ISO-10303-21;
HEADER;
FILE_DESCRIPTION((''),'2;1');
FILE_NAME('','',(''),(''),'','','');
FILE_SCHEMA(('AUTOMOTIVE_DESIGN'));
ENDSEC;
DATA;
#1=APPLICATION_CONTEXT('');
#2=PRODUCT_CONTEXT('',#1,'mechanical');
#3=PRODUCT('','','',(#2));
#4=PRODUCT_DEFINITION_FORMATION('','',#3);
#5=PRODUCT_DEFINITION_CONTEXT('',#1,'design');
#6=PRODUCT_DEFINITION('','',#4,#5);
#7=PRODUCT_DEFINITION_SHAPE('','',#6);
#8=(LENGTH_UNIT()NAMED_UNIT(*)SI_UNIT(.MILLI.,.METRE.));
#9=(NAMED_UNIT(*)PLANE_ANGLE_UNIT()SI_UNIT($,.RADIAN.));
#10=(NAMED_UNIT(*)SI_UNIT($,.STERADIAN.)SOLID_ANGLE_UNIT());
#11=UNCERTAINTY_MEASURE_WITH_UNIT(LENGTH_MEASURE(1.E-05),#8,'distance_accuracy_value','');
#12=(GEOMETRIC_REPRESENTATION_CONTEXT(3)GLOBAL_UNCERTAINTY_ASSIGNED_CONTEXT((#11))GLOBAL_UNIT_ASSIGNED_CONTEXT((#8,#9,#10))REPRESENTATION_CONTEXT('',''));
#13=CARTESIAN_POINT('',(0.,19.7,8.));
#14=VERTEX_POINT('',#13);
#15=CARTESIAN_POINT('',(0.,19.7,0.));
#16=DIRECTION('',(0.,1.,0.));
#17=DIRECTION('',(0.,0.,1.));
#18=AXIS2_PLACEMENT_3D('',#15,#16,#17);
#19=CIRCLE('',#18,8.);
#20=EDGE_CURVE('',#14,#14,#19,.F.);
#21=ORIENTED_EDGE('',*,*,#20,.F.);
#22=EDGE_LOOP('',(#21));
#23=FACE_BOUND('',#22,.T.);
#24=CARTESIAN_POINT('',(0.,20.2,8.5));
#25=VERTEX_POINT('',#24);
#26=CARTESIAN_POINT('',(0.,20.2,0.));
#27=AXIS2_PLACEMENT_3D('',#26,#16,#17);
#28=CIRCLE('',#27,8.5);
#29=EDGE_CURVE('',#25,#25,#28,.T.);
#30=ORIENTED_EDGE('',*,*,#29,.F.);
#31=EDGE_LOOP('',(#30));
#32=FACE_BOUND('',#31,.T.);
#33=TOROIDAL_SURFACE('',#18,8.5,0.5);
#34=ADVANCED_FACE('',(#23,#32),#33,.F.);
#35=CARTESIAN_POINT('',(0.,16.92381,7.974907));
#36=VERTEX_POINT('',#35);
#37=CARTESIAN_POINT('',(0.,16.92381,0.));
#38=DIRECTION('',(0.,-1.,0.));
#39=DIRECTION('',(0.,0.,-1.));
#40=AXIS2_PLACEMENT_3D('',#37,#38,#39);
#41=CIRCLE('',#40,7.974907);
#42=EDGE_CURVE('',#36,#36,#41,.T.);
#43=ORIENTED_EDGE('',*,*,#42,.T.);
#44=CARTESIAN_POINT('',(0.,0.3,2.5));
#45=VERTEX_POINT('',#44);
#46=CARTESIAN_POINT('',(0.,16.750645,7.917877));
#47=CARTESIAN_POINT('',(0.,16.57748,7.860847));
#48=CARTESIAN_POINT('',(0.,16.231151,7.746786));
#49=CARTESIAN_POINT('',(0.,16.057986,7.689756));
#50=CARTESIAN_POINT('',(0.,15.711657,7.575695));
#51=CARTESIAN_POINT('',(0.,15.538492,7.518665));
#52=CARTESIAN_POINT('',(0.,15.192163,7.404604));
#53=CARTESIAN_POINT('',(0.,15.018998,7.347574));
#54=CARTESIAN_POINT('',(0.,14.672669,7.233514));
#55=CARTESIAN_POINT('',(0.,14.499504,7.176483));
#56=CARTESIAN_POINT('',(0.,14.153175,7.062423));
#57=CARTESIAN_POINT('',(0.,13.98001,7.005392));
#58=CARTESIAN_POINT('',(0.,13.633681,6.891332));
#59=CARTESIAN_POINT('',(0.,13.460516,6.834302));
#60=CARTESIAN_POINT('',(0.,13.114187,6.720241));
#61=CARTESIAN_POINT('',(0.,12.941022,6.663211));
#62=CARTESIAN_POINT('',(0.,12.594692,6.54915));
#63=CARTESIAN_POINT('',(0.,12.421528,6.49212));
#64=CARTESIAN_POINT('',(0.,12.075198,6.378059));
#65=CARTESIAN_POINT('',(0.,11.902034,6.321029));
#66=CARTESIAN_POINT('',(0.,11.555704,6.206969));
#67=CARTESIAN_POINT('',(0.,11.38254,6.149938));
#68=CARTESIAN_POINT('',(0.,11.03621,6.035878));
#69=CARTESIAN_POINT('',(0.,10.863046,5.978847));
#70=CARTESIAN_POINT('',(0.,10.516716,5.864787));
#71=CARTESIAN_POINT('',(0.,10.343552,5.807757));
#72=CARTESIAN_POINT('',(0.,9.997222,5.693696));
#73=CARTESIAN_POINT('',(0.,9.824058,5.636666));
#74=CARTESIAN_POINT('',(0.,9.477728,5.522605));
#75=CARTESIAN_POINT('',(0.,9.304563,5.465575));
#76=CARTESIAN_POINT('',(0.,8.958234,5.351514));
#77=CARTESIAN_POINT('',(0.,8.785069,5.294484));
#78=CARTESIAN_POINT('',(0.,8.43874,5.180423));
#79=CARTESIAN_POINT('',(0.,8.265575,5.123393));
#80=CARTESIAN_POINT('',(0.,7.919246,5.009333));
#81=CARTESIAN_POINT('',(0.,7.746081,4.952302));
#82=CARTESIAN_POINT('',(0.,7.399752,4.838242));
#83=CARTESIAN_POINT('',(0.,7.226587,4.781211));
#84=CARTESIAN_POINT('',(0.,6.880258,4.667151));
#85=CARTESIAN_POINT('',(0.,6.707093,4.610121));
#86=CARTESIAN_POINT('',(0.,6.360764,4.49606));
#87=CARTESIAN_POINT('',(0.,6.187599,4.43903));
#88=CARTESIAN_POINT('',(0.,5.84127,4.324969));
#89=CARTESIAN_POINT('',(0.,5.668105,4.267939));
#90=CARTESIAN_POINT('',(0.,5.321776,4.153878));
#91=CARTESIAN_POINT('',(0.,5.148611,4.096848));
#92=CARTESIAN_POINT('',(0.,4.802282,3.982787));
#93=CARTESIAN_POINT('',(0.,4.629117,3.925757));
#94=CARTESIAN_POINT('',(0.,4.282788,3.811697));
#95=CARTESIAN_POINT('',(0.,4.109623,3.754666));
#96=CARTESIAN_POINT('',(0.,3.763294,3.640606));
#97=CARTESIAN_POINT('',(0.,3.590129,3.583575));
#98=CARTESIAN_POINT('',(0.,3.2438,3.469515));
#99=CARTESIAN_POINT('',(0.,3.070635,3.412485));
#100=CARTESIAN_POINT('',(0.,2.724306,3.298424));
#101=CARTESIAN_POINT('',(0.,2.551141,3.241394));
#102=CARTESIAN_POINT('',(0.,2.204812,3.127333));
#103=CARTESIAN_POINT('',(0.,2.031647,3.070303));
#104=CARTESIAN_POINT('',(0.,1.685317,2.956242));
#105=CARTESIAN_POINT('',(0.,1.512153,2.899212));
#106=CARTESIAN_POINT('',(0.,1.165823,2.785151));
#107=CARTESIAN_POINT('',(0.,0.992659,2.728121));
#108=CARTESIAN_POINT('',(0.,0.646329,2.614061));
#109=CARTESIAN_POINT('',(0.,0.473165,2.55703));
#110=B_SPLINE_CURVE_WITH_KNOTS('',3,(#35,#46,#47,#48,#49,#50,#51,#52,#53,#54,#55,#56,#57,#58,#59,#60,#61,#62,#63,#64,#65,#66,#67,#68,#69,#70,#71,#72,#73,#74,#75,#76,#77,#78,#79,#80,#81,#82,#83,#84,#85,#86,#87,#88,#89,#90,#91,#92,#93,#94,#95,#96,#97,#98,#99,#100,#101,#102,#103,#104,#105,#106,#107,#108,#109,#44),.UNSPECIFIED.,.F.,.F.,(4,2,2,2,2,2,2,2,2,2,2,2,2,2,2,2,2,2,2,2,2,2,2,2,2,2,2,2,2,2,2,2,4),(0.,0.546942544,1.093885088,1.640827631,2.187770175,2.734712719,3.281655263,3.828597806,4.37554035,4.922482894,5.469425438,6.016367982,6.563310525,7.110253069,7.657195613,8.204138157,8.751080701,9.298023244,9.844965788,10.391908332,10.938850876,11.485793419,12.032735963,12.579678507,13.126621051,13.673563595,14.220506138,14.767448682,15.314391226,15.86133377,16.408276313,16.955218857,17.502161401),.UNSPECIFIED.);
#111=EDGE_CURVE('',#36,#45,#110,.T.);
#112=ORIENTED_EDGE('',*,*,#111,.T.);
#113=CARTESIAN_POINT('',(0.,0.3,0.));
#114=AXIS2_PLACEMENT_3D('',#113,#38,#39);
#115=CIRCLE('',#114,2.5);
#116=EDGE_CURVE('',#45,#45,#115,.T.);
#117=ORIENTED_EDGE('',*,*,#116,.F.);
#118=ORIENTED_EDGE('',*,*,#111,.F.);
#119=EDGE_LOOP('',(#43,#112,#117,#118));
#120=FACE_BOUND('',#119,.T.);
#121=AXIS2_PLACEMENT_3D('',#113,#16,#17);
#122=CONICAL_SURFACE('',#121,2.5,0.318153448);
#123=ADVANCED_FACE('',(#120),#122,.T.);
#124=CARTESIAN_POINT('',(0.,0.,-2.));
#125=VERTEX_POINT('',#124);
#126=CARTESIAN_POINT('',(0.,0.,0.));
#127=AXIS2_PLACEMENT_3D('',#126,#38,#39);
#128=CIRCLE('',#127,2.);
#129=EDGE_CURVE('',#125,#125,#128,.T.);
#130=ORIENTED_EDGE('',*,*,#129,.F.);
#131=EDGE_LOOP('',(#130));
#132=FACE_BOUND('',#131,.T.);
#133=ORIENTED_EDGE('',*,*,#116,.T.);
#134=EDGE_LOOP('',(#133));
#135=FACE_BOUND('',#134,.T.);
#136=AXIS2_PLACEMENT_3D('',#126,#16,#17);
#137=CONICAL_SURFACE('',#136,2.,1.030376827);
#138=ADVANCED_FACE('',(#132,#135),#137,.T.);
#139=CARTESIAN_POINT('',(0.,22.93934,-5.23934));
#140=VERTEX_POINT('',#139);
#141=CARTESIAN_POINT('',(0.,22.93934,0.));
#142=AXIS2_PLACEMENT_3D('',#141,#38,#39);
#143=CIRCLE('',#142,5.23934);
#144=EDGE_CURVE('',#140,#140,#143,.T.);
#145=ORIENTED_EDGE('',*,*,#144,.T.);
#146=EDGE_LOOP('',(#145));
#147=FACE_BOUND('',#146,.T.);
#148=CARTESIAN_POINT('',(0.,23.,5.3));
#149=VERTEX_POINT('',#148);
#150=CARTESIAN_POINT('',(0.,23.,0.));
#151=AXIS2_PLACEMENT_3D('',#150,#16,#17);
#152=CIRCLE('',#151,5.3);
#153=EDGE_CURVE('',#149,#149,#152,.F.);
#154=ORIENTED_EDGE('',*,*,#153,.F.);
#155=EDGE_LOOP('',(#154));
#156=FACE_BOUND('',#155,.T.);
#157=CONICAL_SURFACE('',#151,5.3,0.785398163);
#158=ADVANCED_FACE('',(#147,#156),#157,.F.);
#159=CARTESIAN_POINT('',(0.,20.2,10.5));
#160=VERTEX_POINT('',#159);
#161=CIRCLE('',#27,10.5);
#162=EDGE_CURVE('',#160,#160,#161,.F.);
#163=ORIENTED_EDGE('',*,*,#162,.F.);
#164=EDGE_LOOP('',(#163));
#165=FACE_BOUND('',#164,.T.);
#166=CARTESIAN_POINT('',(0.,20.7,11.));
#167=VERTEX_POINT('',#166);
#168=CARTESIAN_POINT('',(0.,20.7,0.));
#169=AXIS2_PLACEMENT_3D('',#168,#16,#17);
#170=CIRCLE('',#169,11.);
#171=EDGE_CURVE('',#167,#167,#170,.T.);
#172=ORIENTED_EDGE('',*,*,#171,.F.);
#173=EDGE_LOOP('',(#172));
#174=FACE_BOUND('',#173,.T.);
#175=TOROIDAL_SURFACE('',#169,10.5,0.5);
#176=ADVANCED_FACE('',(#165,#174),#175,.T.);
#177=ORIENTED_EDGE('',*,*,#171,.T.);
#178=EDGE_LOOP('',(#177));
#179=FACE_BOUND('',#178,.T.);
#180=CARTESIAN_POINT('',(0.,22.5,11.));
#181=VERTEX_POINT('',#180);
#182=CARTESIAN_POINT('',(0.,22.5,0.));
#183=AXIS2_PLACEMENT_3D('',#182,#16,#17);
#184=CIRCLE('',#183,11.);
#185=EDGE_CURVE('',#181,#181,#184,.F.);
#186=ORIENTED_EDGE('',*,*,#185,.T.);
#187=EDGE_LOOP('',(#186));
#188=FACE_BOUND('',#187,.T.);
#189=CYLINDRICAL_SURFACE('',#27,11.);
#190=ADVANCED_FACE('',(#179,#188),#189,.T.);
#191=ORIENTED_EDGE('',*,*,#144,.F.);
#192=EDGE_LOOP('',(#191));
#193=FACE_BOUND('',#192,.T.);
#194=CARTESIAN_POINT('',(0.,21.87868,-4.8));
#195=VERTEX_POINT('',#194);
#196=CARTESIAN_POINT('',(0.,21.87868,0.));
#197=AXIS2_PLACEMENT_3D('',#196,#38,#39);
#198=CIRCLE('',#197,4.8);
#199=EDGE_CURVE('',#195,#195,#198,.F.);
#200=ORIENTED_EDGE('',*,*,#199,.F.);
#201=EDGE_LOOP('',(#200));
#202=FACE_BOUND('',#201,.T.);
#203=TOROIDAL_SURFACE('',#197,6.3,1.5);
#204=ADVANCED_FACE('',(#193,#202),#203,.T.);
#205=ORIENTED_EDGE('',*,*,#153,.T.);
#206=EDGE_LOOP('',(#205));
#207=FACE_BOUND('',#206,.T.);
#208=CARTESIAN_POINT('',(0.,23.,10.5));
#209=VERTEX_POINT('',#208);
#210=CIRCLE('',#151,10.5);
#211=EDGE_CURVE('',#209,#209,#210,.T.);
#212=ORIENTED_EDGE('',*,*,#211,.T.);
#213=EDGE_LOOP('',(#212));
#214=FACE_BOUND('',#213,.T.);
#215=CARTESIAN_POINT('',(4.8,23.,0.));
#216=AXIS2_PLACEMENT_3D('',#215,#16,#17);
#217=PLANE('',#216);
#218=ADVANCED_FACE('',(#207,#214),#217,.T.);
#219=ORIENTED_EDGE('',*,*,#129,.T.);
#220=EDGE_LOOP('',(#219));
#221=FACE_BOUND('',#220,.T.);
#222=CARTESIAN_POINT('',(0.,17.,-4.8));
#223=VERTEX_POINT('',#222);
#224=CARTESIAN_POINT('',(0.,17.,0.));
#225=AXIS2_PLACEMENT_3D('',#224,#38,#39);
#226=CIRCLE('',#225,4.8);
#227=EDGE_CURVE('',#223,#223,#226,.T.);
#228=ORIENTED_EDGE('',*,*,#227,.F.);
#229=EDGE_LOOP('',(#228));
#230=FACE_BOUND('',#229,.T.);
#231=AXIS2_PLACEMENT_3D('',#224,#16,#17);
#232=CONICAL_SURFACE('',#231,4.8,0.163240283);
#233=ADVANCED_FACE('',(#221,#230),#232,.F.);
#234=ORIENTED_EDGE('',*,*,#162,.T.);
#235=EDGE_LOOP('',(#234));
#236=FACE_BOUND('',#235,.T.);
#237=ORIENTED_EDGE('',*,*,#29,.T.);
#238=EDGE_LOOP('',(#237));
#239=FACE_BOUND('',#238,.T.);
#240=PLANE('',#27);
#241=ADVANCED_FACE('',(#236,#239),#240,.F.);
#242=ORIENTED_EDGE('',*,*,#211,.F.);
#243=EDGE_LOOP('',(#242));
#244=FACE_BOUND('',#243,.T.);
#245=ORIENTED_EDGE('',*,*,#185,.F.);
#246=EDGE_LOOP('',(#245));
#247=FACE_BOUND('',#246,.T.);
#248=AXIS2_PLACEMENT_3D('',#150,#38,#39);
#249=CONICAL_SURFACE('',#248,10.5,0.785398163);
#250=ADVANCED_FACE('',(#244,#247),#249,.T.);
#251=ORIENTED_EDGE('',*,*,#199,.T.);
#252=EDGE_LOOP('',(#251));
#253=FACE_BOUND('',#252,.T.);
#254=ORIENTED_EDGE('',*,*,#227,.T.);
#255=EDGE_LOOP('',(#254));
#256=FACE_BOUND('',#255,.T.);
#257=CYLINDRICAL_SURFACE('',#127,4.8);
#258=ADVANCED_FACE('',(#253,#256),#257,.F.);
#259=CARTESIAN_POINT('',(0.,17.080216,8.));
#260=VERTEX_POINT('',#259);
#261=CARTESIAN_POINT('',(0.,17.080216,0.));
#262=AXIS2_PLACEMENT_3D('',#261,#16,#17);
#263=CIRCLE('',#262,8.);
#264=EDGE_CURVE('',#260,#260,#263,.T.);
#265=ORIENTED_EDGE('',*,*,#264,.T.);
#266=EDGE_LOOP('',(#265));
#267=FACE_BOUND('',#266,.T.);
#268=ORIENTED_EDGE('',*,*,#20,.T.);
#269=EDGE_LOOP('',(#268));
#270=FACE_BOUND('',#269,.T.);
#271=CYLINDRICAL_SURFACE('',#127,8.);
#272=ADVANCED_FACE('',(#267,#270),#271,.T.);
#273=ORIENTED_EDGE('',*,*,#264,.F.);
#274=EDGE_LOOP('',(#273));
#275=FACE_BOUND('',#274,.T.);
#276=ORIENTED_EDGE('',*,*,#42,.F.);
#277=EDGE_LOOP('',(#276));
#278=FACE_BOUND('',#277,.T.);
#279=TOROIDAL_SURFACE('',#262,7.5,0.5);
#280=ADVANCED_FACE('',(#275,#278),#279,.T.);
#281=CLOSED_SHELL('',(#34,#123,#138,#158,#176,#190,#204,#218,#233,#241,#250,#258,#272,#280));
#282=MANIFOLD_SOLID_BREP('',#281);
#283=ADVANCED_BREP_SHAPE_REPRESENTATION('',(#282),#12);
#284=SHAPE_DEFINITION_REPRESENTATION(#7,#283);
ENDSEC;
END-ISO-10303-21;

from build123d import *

# Parameters (mm, degrees)
FL_CHE_VERSCHIEBEN1_BY          = 1
AUFSATZ_LINEAR_START            = -2.8
SKIZZE2_R                       = 11
SKIZZE2_R_2                     = 4.8
AUFSATZ_LINEAR_AUSTRAGEN1_DEPTH = 2.8
VERRUNDUNG1_R                   = 0.5
FASE1_SIZE                      = 0.5
VERRUNDUNG2_R                   = 1.5


with BuildPart() as part:
    # Skizze1 → Rotation1 (revolve)
    with BuildSketch(Plane.XY, mode=Mode.PRIVATE) as rotation1_sk:
        Polygon((2, 0), (4.8, 17), (4.8, 22), (8, 22), (8, 17), (2.5, 0.3), align=None)
    revolve(rotation1_sk.sketch.rotate(Axis((0, 0, 0), (0, 1, 0)), 90), axis=Axis((0, 0, 0), (0, 1, 0)))

    # Fläche verschieben1: a face moved outward by 1.0
    extrude(part.faces().sort_by_distance((6.4, 22, 0))[0], amount=FL_CHE_VERSCHIEBEN1_BY, dir=(0, 1, 0))

    # Skizze2 → Aufsatz-Linear austragen1 (add)
    with BuildSketch(Plane(origin=(0, 23, 0), x_dir=(1, 0, 0), z_dir=(0, 1, 0)).offset(AUFSATZ_LINEAR_START)):
        with Locations(Location((0, 0, 0), (0, 0, 270))):
            Circle(SKIZZE2_R)
        with Locations(Location((0, 0, 0), (0, 0, 90))):
            Circle(SKIZZE2_R_2, mode=Mode.SUBTRACT)
    extrude(amount=AUFSATZ_LINEAR_AUSTRAGEN1_DEPTH)

    # Verrundung1
    verrundung1_edges = [part.edges().sort_by_distance(p)[0] for p in [
        (0, 20.2, 8),
        (0, 20.2, -11),
        (0, 17, 8),
    ]]
    fillet(verrundung1_edges, radius=VERRUNDUNG1_R)

    # Fase1
    fase1_edges = [part.edges().sort_by_distance(p)[0] for p in [
        (0, 23, -11),
        (0, 23, 4.8),
    ]]
    chamfer(fase1_edges, length=FASE1_SIZE)

    # Verrundung2
    verrundung2_edges = [part.edges().sort_by_distance(p)[0] for p in [
        (0, 22.5, 4.8),
    ]]
    fillet(verrundung2_edges, radius=VERRUNDUNG2_R)


solid = part.part
